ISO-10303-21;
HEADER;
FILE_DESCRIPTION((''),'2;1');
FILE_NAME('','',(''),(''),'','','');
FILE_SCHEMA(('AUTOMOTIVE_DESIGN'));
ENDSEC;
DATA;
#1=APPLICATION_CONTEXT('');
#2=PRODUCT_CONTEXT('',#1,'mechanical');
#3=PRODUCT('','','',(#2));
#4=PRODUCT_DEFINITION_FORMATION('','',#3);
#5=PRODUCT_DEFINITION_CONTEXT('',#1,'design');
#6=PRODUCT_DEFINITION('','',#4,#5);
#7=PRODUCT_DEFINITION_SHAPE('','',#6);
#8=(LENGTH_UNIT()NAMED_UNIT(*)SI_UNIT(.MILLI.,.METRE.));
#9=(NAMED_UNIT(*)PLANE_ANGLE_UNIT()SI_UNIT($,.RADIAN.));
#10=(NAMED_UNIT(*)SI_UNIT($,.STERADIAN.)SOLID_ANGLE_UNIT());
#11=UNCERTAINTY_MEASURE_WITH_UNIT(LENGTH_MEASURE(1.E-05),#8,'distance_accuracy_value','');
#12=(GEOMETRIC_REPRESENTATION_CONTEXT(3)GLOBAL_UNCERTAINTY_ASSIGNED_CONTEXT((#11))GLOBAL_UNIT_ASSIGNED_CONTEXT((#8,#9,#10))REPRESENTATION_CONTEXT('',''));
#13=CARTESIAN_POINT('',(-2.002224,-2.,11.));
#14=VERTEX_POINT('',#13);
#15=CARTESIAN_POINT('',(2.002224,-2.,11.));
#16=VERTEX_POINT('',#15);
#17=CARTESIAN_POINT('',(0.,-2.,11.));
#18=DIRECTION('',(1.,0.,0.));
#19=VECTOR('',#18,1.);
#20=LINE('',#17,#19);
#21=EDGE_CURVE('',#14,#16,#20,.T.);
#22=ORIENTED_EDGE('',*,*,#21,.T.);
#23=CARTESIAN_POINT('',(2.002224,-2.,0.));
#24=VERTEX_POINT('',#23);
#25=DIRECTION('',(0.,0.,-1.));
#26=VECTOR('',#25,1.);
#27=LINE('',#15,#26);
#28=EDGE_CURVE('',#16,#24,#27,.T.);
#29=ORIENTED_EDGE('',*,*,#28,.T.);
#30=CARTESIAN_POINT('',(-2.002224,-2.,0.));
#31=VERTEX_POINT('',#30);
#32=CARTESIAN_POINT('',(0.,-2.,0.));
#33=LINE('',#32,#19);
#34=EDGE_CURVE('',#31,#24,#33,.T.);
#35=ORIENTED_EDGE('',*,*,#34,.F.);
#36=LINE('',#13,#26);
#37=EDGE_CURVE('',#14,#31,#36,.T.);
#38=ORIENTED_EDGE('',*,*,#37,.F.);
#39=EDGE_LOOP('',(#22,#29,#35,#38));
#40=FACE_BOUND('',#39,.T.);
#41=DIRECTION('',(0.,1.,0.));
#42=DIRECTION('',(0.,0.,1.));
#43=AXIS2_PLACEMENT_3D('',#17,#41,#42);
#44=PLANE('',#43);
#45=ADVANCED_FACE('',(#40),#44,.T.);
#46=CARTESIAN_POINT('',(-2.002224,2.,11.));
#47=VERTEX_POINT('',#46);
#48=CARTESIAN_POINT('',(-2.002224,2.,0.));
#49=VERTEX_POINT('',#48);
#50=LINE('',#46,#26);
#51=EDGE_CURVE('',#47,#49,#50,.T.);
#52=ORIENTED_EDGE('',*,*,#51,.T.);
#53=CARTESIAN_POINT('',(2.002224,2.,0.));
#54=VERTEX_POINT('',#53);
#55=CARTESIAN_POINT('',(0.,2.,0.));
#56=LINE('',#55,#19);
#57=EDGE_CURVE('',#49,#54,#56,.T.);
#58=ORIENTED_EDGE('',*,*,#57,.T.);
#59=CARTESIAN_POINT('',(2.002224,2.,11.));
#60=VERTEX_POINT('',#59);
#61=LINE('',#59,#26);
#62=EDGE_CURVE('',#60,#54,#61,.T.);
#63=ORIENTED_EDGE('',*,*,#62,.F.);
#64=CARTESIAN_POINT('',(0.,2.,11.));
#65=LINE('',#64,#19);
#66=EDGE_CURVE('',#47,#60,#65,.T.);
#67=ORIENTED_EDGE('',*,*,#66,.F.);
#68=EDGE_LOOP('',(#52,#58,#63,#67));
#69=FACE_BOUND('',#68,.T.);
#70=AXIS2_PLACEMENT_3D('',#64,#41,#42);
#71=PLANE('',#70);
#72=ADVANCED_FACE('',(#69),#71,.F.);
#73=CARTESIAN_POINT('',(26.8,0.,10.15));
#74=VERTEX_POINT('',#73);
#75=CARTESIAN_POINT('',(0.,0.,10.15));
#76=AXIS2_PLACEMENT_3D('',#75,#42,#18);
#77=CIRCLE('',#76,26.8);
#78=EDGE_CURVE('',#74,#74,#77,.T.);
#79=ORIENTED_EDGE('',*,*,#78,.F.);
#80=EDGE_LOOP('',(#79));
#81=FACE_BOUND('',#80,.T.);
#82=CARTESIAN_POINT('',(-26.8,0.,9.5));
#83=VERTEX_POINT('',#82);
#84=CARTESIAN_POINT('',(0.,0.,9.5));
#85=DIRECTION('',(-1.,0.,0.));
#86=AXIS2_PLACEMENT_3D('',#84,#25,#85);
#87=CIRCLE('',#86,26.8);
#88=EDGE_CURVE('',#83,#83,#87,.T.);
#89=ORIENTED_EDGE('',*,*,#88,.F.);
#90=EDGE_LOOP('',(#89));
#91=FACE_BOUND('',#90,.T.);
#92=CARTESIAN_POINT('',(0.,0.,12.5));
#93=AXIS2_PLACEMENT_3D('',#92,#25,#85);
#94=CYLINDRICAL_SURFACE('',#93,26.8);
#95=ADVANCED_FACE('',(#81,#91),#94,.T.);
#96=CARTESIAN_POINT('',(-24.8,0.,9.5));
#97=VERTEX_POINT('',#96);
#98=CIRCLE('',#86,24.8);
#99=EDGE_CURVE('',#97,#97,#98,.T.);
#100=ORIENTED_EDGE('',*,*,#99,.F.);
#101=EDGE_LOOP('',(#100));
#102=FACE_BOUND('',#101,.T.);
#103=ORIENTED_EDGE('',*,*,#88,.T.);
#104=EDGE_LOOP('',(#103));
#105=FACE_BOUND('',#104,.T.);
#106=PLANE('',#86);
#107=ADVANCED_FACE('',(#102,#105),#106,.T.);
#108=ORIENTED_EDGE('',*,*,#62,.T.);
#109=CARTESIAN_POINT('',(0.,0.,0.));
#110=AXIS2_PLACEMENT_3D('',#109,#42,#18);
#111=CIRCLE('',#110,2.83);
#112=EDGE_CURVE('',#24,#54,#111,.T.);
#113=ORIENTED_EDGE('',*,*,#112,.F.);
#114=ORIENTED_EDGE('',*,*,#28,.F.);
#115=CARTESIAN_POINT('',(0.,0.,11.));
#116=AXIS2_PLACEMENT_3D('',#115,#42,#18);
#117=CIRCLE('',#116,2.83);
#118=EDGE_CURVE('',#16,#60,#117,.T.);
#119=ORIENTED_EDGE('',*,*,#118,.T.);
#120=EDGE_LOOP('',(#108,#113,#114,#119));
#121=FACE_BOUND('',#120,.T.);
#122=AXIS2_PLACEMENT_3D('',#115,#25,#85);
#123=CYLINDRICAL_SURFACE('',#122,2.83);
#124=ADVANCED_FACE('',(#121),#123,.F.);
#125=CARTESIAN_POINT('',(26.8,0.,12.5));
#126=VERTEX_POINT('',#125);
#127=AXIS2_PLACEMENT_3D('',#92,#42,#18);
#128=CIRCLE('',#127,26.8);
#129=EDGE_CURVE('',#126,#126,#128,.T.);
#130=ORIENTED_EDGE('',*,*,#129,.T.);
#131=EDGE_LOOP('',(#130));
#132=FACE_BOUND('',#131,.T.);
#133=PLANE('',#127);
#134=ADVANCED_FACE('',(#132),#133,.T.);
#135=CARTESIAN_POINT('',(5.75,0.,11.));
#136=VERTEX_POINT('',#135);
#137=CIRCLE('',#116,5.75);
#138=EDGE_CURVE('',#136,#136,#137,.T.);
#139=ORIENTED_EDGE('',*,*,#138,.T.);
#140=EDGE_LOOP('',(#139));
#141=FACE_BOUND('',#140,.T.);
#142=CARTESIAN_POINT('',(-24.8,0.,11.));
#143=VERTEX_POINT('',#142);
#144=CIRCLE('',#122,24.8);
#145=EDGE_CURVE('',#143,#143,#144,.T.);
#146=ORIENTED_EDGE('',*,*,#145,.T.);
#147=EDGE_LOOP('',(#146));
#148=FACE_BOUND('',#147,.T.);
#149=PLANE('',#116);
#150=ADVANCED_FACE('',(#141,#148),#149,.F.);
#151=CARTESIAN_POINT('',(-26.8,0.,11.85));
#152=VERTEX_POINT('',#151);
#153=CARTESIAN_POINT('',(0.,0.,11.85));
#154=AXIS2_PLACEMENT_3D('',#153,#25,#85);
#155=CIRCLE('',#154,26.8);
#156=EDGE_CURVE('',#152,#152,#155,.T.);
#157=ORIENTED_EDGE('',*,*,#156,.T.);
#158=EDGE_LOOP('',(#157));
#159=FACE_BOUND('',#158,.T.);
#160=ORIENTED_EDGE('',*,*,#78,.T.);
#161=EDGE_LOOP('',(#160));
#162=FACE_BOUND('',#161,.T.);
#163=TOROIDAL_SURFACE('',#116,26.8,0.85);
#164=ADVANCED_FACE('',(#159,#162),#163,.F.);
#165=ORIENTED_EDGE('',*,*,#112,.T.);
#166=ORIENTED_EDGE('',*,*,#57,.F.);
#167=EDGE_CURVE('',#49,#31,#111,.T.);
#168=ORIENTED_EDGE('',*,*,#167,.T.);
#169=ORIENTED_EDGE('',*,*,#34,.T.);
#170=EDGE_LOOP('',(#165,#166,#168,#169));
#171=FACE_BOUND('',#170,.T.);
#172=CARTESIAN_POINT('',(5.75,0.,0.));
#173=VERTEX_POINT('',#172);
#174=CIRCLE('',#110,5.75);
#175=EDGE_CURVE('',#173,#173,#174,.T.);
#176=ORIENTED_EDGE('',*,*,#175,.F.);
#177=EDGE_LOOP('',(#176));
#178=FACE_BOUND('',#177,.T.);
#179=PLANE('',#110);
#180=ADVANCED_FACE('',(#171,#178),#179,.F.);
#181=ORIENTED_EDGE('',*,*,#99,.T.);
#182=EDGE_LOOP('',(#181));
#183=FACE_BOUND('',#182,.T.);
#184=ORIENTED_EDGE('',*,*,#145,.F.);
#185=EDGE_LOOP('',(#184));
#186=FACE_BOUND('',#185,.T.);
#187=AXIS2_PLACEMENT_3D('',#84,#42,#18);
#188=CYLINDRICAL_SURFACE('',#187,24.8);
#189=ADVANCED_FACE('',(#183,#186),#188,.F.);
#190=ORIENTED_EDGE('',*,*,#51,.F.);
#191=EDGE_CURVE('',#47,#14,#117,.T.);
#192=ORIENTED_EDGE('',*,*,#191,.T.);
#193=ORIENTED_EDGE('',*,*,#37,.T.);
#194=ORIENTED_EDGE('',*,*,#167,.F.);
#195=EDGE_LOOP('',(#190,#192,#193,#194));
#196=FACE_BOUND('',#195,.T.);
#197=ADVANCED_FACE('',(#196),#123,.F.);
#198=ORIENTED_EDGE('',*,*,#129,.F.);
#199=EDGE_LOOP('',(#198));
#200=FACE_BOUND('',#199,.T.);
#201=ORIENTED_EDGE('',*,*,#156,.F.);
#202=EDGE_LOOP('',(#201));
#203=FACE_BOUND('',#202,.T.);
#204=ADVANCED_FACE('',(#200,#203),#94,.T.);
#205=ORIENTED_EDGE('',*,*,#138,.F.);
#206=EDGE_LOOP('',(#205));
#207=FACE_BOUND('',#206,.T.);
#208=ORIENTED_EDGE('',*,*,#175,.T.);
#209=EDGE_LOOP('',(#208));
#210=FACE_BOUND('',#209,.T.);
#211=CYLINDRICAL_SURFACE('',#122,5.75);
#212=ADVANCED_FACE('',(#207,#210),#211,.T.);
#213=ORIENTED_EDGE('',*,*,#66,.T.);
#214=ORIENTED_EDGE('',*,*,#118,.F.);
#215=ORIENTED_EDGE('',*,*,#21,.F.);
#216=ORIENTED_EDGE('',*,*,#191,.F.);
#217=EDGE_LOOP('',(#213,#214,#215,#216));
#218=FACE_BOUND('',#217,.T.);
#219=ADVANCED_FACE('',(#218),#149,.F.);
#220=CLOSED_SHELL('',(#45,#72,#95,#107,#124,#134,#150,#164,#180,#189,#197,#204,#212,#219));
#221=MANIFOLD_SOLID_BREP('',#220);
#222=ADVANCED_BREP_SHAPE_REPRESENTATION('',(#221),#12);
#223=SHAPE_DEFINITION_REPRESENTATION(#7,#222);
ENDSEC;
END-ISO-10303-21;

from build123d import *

# Parameters (mm, degrees)
SKETCH_1_R      = 5.75
SKETCH_1_R_2    = 2.83
EXTRUDE_1_DEPTH = 11
SKETCH_2_R      = 26.8
EXTRUDE_2_DEPTH = 1.5
EXTRUDE_START   = 1.5
SKETCH_3_R      = 26.8
SKETCH_3_R_2    = 24.8
EXTRUDE_3_DEPTH = 1.5
SKETCH_4_R      = 0.85


with BuildPart() as part:
    # Эскиз1 → Бобышка-Вытянуть1 (new body)
    # profile 1 of 3: a face of its own
    with BuildSketch(Plane.XY):
        Circle(SKETCH_1_R)
        Circle(SKETCH_1_R_2, mode=Mode.SUBTRACT)
    # profile 2 of 3: a face of its own
    with BuildSketch(Plane.XY):
        with BuildLine():
            ThreePointArc((2.002223764, 2), (0, 2.83), (-2.002223764, 2))
            Line((-2.002223764, 2), (2.002223764, 2))
        make_face()
    # profile 3 of 3: a face of its own
    with BuildSketch(Plane.XY):
        with BuildLine():
            Line((2.002223764, -2), (-2.002223764, -2))
            ThreePointArc((-2.002223764, -2), (0, -2.83), (2.002223764, -2))
        make_face()
    extrude(amount=EXTRUDE_1_DEPTH)

    # Эскиз2 → Бобышка-Вытянуть2 (add)
    with BuildSketch(Plane.XY.offset(11)):
        Circle(SKETCH_2_R)
    extrude(amount=EXTRUDE_2_DEPTH)

    # Эскиз3 → Бобышка-Вытянуть3 (add)
    with BuildSketch(Plane(origin=(0, 0, 11), x_dir=(-1, 0, 0), z_dir=(0, 0, -1)).offset(EXTRUDE_START)):
        Circle(SKETCH_3_R)
        Circle(SKETCH_3_R_2, mode=Mode.SUBTRACT)
    extrude(amount=-EXTRUDE_3_DEPTH)

    # Эскиз4 → Вырез-Повернуть1 (revolve, cut)
    with BuildSketch(Plane(origin=(0, 0, 0), x_dir=(0, 0, -1), z_dir=(1, 0, 0)), mode=Mode.PRIVATE) as cut_revolve_1_sk:
        with Locations((-11, 26.8)):
            Circle(SKETCH_4_R)
    revolve(cut_revolve_1_sk.sketch.rotate(Axis((0, 0, 11), (0, 0, -1)), 270), axis=Axis((0, 0, 11), (0, 0, -1)), mode=Mode.SUBTRACT)


solid = part.part
